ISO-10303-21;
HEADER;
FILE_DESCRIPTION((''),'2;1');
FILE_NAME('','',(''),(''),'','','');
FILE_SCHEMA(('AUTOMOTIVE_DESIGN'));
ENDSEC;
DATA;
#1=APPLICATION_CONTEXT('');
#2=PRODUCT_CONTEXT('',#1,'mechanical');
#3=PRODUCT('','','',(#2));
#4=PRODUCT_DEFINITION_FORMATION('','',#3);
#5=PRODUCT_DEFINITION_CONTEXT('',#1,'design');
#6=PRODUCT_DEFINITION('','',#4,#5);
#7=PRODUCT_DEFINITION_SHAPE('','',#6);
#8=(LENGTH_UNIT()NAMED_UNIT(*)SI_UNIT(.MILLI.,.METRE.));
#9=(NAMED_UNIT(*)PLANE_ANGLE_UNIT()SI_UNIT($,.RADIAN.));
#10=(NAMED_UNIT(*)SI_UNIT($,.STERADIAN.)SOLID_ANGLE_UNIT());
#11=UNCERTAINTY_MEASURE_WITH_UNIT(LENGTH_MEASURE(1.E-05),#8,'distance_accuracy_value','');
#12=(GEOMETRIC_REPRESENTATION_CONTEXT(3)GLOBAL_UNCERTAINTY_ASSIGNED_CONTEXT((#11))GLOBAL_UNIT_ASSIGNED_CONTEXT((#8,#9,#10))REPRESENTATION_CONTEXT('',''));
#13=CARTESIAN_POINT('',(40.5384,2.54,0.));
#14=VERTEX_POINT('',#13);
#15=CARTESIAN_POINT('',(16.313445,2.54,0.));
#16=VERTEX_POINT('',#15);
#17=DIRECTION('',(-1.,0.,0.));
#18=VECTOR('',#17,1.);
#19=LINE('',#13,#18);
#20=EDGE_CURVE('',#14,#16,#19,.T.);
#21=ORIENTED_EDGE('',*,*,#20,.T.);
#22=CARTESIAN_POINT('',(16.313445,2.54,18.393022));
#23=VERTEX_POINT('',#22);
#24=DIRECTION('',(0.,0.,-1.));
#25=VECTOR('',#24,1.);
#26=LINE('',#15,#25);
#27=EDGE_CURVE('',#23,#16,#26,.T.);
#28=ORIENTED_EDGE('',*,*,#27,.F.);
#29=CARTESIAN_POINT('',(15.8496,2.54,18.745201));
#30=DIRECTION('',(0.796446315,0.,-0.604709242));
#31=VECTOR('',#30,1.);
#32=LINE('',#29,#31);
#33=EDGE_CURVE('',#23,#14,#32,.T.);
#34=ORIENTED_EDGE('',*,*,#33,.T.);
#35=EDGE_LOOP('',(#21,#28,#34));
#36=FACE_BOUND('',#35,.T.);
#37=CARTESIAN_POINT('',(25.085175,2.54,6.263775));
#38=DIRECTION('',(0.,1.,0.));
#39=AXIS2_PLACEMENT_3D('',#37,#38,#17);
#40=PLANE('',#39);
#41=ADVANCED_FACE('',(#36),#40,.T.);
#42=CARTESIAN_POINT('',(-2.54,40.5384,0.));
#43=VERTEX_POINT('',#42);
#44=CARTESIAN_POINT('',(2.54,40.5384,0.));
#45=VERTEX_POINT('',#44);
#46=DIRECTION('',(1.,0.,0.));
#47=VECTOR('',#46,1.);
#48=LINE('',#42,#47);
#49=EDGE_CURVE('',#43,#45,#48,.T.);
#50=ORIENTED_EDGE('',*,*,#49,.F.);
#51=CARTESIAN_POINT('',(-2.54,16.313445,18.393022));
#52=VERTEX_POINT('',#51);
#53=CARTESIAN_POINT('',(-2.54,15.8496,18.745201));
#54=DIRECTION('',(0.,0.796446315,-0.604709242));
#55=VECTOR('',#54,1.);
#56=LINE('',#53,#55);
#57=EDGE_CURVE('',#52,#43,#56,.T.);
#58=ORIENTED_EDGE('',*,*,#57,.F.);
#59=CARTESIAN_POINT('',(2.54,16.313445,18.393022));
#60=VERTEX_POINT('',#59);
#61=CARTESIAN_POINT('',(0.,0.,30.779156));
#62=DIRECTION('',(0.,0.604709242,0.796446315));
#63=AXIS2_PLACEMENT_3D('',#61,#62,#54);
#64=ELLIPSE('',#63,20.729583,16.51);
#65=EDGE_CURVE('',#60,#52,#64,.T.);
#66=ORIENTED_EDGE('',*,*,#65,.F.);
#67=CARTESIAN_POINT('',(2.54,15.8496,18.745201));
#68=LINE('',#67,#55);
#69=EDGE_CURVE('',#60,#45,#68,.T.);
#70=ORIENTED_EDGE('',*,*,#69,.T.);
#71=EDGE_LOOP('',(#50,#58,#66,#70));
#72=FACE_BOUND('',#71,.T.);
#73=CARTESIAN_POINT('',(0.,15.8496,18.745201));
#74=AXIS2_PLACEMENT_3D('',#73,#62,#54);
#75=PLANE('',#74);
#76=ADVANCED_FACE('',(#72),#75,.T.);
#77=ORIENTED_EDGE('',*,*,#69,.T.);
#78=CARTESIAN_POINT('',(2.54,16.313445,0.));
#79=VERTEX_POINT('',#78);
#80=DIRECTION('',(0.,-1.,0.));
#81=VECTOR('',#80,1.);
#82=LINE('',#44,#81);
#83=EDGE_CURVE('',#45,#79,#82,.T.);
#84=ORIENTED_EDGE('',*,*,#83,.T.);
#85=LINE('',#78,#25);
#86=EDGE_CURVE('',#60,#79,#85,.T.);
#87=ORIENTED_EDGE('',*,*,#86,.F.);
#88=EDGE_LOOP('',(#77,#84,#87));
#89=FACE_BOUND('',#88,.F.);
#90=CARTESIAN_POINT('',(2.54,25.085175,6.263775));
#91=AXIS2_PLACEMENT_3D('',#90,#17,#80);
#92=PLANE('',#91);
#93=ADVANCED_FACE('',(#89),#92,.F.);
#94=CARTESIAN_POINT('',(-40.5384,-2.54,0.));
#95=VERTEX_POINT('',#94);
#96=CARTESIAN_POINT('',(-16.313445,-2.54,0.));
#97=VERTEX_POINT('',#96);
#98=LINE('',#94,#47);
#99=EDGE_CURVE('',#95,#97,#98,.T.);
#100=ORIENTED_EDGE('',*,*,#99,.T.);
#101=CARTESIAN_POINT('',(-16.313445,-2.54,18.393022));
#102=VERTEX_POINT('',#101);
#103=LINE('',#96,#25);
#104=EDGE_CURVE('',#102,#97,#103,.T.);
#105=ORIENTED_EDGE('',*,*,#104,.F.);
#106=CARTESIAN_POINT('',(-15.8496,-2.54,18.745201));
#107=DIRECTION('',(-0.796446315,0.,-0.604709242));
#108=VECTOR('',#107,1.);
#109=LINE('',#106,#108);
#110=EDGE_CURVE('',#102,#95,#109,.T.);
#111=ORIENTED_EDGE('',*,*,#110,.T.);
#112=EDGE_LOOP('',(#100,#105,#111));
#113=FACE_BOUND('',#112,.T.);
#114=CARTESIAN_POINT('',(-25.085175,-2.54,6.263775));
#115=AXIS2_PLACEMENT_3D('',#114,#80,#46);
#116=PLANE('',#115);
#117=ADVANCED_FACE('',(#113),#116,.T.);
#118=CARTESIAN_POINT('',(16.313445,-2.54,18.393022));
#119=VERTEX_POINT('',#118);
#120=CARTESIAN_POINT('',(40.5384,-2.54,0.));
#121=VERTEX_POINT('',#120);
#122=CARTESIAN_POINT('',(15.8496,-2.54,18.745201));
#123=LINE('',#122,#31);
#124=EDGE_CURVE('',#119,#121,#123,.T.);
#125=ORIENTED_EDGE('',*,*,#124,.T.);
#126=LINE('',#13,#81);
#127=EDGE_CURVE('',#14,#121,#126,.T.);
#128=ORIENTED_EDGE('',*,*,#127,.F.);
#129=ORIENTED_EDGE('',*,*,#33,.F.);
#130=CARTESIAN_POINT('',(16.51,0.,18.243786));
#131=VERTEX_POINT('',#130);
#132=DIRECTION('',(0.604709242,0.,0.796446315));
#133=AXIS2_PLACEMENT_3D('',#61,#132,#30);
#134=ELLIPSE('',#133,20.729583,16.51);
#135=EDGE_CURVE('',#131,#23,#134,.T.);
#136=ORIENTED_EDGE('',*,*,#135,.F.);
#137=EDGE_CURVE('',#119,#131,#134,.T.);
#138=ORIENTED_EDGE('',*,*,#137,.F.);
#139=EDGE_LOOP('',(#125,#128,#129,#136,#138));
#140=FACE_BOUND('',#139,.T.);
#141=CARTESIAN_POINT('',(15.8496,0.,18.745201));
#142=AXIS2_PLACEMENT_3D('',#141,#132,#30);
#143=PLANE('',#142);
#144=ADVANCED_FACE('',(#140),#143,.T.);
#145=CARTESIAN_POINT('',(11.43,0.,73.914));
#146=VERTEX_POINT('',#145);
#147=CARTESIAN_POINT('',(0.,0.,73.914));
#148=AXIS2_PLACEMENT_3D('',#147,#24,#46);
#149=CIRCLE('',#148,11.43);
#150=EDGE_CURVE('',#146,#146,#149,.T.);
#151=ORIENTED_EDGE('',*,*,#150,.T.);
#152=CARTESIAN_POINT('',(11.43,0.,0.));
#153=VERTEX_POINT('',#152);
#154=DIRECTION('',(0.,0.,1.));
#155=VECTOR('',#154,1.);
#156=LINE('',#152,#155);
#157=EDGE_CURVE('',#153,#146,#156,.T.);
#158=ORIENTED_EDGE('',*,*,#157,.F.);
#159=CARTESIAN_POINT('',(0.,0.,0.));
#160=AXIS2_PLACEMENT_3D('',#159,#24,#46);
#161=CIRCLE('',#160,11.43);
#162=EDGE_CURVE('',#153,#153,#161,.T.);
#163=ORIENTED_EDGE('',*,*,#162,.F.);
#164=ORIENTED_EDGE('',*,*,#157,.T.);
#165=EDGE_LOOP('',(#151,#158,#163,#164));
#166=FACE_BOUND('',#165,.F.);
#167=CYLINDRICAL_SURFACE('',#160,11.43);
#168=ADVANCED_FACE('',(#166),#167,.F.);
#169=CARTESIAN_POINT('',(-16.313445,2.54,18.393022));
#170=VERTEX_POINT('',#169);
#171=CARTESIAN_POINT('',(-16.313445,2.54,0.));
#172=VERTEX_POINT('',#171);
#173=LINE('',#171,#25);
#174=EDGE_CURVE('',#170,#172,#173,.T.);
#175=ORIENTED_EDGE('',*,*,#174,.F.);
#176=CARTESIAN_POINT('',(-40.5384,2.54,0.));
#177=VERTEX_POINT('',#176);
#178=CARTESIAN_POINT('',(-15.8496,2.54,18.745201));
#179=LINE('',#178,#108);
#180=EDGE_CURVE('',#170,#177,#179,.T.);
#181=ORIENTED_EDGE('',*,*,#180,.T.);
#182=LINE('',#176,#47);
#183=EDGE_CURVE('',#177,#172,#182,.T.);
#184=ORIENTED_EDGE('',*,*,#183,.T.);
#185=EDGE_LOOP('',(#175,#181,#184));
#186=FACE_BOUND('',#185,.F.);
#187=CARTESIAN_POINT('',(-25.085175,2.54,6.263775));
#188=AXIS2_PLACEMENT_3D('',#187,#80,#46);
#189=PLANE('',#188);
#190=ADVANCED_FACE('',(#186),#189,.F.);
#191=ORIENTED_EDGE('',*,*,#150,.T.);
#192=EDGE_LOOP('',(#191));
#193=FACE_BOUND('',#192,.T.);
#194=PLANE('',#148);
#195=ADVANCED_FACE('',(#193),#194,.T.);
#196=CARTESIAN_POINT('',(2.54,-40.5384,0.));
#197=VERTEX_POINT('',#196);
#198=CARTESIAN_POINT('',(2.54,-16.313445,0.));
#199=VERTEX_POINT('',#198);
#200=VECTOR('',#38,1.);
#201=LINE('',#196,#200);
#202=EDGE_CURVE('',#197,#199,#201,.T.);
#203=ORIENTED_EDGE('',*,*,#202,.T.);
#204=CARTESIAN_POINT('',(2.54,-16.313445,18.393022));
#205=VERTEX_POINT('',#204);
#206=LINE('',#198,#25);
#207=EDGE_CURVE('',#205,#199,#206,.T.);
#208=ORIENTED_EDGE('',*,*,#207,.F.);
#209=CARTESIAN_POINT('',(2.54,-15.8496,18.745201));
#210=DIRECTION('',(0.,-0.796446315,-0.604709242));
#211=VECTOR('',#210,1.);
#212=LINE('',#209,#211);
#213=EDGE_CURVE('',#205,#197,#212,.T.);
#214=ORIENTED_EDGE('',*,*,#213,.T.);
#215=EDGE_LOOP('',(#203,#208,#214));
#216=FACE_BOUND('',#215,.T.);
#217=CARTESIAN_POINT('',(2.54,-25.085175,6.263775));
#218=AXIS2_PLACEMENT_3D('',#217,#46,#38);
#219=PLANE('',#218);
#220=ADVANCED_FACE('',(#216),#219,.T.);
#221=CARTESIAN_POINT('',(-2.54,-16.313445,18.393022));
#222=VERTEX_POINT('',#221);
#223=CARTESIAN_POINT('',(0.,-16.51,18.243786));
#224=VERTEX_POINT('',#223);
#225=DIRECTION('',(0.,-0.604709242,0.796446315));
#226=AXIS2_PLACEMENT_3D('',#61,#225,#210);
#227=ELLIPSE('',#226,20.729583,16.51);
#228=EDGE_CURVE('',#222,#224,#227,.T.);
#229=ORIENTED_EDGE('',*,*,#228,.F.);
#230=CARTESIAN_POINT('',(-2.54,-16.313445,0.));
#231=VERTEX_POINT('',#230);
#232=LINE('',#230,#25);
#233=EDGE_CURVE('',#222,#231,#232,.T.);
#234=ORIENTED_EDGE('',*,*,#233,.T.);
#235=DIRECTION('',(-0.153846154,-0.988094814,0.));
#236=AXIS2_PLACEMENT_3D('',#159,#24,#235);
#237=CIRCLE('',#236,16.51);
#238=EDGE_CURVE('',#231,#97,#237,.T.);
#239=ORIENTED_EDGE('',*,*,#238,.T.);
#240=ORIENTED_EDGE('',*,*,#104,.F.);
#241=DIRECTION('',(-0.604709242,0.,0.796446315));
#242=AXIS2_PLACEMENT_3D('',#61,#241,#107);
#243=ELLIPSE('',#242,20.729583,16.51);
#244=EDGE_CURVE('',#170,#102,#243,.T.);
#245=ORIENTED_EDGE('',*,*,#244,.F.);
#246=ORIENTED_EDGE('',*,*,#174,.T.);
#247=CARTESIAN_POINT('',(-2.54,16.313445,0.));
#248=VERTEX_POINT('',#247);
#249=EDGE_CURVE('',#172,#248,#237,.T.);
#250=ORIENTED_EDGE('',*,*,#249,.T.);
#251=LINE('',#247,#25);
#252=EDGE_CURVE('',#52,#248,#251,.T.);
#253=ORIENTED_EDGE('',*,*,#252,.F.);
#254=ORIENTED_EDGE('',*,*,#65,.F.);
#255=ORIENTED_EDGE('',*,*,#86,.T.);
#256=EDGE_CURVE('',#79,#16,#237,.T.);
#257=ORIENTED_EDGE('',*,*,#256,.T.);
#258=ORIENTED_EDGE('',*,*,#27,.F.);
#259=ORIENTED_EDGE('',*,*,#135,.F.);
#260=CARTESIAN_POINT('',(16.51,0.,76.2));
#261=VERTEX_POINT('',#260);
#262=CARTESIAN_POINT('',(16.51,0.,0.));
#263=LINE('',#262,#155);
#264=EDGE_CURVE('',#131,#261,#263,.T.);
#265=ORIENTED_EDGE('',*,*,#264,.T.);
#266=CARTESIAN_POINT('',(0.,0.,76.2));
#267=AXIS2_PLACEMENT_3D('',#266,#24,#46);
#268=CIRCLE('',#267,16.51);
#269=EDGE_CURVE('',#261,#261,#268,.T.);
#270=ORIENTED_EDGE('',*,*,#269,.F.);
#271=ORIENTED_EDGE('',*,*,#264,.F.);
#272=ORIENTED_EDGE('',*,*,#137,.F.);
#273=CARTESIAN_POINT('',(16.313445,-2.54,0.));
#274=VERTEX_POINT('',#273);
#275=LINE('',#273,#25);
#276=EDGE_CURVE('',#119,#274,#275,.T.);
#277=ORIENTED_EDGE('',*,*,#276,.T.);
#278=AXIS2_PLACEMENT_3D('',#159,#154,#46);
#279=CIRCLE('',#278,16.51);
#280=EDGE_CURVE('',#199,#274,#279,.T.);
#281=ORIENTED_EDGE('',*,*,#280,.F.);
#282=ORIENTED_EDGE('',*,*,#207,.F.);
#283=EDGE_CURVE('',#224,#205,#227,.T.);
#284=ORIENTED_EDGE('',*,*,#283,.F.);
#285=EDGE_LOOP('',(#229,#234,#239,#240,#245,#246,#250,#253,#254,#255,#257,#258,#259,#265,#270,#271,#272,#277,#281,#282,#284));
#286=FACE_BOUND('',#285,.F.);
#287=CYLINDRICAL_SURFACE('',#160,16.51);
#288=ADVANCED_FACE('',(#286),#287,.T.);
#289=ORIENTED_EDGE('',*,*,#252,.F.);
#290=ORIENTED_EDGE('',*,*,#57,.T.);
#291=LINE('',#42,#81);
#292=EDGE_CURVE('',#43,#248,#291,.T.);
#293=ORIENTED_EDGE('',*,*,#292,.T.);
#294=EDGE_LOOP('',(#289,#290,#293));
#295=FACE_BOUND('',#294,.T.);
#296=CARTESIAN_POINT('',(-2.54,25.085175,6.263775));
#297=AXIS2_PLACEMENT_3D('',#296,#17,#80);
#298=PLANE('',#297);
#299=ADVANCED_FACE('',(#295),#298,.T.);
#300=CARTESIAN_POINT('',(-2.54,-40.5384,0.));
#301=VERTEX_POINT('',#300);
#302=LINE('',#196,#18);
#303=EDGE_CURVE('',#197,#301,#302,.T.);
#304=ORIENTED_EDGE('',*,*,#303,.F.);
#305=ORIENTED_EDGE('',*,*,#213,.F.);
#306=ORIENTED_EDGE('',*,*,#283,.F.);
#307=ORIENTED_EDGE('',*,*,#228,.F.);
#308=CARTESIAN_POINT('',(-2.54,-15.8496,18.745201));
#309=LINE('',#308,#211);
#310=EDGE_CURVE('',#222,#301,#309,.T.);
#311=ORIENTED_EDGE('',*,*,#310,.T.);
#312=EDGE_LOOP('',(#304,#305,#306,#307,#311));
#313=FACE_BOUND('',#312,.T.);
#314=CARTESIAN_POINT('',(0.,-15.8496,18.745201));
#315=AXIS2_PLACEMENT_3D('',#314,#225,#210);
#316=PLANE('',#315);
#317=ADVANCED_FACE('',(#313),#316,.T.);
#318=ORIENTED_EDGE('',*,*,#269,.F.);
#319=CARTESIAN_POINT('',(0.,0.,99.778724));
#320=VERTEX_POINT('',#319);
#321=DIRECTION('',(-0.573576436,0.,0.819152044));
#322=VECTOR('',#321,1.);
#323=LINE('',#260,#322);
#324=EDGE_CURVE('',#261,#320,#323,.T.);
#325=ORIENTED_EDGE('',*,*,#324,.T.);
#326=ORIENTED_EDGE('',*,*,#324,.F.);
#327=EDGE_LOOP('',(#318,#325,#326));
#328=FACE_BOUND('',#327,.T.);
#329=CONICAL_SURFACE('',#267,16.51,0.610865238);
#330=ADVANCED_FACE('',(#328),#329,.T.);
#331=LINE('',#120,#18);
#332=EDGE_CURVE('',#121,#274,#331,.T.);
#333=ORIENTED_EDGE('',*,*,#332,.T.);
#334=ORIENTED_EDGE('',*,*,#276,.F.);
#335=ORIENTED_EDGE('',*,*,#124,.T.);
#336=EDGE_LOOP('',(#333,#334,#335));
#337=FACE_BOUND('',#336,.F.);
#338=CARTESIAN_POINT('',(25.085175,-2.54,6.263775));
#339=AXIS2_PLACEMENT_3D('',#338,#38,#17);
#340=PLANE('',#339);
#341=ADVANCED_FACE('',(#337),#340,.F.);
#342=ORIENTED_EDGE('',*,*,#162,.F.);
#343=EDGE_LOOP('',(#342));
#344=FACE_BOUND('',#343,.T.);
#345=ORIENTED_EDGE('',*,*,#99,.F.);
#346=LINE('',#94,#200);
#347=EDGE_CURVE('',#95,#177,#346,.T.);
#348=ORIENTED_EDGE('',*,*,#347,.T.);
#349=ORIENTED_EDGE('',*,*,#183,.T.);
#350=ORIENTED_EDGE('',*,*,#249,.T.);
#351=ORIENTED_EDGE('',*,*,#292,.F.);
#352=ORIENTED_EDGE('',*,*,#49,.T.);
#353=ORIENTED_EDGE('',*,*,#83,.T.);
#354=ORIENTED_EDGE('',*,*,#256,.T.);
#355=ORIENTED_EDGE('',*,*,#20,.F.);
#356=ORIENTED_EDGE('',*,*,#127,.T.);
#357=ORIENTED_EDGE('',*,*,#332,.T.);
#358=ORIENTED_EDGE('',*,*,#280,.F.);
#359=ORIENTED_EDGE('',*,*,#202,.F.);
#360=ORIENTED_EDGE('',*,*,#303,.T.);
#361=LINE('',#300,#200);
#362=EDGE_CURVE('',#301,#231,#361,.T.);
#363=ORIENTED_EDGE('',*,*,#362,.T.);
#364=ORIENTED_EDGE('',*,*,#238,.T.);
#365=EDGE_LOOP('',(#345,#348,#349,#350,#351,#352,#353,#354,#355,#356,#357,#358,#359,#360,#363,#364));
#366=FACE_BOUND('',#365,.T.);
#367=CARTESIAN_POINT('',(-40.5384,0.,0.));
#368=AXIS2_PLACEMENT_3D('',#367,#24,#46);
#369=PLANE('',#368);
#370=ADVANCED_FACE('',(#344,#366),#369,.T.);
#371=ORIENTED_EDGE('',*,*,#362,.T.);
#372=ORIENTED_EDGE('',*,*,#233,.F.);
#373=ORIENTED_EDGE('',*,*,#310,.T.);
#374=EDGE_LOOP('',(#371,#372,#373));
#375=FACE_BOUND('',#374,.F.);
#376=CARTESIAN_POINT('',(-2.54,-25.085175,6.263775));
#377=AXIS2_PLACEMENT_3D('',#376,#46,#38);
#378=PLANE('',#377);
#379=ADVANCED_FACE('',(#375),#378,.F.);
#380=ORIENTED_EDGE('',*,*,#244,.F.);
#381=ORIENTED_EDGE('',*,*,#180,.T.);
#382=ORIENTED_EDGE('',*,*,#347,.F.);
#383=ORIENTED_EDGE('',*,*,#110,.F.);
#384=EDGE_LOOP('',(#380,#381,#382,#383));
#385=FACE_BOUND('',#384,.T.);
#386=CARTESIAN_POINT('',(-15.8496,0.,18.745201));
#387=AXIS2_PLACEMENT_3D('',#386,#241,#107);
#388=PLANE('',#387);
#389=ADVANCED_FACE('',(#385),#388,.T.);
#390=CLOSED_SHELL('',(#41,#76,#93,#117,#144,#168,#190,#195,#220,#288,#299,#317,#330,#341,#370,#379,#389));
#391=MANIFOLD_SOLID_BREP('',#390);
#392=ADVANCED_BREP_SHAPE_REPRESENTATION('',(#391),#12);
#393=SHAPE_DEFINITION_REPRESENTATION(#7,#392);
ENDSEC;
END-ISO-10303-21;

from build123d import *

# Parameters (mm, degrees)
F0_R      = 16.51
F0_R_2    = 12.7
F1_DEPTH  = 76.2
F1_FACE_R = 16.51
F2_DEPTH  = 25.4
F2_TAPER  = 35
F4_DEPTH  = 2.54
F5_COUNT  = 4
F6_R      = 11.43
F7_DEPTH  = 73.914


with BuildPart() as f1:
    # F0 (on Top) → F1 (new body)
    with BuildSketch(Plane.XY):
        Circle(F0_R)
        Circle(F0_R_2, mode=Mode.SUBTRACT)
        Circle(F0_R_2)
    extrude(amount=F1_DEPTH)

    # F1_face (on face) → F2 (join)
    with BuildSketch(Plane.XY.offset(76.2)):
        Circle(F1_FACE_R)
    extrude(amount=F2_DEPTH, taper=F2_TAPER)

    # F3 (on Right) → F4 (join, symmetric)
    with BuildSketch(Plane.YZ):
        Polygon((-40.5384004116, 0), (-15.8495996147, 0), (-15.8495996147, 18.7452007085), align=None)
    extrude(amount=F4_DEPTH, both=True)

    # F5: F1 ×4 about axis
    f5_axis = Axis((0, 0, 76.2), (0, 0, 1))


with BuildPart() as f1_1:
    add(f1.part)
    for i in range(1, F5_COUNT):
        add(f1.part.rotate(f5_axis, i * 360 / F5_COUNT))

    # F6 (on face) → F7 (cut)
    with BuildSketch(Plane(origin=(0, 0, 0), x_dir=(1, 0, 0), z_dir=(0, 0, -1))):
        Circle(F6_R)
    extrude(amount=-F7_DEPTH, mode=Mode.SUBTRACT)


solid = f1_1.part
